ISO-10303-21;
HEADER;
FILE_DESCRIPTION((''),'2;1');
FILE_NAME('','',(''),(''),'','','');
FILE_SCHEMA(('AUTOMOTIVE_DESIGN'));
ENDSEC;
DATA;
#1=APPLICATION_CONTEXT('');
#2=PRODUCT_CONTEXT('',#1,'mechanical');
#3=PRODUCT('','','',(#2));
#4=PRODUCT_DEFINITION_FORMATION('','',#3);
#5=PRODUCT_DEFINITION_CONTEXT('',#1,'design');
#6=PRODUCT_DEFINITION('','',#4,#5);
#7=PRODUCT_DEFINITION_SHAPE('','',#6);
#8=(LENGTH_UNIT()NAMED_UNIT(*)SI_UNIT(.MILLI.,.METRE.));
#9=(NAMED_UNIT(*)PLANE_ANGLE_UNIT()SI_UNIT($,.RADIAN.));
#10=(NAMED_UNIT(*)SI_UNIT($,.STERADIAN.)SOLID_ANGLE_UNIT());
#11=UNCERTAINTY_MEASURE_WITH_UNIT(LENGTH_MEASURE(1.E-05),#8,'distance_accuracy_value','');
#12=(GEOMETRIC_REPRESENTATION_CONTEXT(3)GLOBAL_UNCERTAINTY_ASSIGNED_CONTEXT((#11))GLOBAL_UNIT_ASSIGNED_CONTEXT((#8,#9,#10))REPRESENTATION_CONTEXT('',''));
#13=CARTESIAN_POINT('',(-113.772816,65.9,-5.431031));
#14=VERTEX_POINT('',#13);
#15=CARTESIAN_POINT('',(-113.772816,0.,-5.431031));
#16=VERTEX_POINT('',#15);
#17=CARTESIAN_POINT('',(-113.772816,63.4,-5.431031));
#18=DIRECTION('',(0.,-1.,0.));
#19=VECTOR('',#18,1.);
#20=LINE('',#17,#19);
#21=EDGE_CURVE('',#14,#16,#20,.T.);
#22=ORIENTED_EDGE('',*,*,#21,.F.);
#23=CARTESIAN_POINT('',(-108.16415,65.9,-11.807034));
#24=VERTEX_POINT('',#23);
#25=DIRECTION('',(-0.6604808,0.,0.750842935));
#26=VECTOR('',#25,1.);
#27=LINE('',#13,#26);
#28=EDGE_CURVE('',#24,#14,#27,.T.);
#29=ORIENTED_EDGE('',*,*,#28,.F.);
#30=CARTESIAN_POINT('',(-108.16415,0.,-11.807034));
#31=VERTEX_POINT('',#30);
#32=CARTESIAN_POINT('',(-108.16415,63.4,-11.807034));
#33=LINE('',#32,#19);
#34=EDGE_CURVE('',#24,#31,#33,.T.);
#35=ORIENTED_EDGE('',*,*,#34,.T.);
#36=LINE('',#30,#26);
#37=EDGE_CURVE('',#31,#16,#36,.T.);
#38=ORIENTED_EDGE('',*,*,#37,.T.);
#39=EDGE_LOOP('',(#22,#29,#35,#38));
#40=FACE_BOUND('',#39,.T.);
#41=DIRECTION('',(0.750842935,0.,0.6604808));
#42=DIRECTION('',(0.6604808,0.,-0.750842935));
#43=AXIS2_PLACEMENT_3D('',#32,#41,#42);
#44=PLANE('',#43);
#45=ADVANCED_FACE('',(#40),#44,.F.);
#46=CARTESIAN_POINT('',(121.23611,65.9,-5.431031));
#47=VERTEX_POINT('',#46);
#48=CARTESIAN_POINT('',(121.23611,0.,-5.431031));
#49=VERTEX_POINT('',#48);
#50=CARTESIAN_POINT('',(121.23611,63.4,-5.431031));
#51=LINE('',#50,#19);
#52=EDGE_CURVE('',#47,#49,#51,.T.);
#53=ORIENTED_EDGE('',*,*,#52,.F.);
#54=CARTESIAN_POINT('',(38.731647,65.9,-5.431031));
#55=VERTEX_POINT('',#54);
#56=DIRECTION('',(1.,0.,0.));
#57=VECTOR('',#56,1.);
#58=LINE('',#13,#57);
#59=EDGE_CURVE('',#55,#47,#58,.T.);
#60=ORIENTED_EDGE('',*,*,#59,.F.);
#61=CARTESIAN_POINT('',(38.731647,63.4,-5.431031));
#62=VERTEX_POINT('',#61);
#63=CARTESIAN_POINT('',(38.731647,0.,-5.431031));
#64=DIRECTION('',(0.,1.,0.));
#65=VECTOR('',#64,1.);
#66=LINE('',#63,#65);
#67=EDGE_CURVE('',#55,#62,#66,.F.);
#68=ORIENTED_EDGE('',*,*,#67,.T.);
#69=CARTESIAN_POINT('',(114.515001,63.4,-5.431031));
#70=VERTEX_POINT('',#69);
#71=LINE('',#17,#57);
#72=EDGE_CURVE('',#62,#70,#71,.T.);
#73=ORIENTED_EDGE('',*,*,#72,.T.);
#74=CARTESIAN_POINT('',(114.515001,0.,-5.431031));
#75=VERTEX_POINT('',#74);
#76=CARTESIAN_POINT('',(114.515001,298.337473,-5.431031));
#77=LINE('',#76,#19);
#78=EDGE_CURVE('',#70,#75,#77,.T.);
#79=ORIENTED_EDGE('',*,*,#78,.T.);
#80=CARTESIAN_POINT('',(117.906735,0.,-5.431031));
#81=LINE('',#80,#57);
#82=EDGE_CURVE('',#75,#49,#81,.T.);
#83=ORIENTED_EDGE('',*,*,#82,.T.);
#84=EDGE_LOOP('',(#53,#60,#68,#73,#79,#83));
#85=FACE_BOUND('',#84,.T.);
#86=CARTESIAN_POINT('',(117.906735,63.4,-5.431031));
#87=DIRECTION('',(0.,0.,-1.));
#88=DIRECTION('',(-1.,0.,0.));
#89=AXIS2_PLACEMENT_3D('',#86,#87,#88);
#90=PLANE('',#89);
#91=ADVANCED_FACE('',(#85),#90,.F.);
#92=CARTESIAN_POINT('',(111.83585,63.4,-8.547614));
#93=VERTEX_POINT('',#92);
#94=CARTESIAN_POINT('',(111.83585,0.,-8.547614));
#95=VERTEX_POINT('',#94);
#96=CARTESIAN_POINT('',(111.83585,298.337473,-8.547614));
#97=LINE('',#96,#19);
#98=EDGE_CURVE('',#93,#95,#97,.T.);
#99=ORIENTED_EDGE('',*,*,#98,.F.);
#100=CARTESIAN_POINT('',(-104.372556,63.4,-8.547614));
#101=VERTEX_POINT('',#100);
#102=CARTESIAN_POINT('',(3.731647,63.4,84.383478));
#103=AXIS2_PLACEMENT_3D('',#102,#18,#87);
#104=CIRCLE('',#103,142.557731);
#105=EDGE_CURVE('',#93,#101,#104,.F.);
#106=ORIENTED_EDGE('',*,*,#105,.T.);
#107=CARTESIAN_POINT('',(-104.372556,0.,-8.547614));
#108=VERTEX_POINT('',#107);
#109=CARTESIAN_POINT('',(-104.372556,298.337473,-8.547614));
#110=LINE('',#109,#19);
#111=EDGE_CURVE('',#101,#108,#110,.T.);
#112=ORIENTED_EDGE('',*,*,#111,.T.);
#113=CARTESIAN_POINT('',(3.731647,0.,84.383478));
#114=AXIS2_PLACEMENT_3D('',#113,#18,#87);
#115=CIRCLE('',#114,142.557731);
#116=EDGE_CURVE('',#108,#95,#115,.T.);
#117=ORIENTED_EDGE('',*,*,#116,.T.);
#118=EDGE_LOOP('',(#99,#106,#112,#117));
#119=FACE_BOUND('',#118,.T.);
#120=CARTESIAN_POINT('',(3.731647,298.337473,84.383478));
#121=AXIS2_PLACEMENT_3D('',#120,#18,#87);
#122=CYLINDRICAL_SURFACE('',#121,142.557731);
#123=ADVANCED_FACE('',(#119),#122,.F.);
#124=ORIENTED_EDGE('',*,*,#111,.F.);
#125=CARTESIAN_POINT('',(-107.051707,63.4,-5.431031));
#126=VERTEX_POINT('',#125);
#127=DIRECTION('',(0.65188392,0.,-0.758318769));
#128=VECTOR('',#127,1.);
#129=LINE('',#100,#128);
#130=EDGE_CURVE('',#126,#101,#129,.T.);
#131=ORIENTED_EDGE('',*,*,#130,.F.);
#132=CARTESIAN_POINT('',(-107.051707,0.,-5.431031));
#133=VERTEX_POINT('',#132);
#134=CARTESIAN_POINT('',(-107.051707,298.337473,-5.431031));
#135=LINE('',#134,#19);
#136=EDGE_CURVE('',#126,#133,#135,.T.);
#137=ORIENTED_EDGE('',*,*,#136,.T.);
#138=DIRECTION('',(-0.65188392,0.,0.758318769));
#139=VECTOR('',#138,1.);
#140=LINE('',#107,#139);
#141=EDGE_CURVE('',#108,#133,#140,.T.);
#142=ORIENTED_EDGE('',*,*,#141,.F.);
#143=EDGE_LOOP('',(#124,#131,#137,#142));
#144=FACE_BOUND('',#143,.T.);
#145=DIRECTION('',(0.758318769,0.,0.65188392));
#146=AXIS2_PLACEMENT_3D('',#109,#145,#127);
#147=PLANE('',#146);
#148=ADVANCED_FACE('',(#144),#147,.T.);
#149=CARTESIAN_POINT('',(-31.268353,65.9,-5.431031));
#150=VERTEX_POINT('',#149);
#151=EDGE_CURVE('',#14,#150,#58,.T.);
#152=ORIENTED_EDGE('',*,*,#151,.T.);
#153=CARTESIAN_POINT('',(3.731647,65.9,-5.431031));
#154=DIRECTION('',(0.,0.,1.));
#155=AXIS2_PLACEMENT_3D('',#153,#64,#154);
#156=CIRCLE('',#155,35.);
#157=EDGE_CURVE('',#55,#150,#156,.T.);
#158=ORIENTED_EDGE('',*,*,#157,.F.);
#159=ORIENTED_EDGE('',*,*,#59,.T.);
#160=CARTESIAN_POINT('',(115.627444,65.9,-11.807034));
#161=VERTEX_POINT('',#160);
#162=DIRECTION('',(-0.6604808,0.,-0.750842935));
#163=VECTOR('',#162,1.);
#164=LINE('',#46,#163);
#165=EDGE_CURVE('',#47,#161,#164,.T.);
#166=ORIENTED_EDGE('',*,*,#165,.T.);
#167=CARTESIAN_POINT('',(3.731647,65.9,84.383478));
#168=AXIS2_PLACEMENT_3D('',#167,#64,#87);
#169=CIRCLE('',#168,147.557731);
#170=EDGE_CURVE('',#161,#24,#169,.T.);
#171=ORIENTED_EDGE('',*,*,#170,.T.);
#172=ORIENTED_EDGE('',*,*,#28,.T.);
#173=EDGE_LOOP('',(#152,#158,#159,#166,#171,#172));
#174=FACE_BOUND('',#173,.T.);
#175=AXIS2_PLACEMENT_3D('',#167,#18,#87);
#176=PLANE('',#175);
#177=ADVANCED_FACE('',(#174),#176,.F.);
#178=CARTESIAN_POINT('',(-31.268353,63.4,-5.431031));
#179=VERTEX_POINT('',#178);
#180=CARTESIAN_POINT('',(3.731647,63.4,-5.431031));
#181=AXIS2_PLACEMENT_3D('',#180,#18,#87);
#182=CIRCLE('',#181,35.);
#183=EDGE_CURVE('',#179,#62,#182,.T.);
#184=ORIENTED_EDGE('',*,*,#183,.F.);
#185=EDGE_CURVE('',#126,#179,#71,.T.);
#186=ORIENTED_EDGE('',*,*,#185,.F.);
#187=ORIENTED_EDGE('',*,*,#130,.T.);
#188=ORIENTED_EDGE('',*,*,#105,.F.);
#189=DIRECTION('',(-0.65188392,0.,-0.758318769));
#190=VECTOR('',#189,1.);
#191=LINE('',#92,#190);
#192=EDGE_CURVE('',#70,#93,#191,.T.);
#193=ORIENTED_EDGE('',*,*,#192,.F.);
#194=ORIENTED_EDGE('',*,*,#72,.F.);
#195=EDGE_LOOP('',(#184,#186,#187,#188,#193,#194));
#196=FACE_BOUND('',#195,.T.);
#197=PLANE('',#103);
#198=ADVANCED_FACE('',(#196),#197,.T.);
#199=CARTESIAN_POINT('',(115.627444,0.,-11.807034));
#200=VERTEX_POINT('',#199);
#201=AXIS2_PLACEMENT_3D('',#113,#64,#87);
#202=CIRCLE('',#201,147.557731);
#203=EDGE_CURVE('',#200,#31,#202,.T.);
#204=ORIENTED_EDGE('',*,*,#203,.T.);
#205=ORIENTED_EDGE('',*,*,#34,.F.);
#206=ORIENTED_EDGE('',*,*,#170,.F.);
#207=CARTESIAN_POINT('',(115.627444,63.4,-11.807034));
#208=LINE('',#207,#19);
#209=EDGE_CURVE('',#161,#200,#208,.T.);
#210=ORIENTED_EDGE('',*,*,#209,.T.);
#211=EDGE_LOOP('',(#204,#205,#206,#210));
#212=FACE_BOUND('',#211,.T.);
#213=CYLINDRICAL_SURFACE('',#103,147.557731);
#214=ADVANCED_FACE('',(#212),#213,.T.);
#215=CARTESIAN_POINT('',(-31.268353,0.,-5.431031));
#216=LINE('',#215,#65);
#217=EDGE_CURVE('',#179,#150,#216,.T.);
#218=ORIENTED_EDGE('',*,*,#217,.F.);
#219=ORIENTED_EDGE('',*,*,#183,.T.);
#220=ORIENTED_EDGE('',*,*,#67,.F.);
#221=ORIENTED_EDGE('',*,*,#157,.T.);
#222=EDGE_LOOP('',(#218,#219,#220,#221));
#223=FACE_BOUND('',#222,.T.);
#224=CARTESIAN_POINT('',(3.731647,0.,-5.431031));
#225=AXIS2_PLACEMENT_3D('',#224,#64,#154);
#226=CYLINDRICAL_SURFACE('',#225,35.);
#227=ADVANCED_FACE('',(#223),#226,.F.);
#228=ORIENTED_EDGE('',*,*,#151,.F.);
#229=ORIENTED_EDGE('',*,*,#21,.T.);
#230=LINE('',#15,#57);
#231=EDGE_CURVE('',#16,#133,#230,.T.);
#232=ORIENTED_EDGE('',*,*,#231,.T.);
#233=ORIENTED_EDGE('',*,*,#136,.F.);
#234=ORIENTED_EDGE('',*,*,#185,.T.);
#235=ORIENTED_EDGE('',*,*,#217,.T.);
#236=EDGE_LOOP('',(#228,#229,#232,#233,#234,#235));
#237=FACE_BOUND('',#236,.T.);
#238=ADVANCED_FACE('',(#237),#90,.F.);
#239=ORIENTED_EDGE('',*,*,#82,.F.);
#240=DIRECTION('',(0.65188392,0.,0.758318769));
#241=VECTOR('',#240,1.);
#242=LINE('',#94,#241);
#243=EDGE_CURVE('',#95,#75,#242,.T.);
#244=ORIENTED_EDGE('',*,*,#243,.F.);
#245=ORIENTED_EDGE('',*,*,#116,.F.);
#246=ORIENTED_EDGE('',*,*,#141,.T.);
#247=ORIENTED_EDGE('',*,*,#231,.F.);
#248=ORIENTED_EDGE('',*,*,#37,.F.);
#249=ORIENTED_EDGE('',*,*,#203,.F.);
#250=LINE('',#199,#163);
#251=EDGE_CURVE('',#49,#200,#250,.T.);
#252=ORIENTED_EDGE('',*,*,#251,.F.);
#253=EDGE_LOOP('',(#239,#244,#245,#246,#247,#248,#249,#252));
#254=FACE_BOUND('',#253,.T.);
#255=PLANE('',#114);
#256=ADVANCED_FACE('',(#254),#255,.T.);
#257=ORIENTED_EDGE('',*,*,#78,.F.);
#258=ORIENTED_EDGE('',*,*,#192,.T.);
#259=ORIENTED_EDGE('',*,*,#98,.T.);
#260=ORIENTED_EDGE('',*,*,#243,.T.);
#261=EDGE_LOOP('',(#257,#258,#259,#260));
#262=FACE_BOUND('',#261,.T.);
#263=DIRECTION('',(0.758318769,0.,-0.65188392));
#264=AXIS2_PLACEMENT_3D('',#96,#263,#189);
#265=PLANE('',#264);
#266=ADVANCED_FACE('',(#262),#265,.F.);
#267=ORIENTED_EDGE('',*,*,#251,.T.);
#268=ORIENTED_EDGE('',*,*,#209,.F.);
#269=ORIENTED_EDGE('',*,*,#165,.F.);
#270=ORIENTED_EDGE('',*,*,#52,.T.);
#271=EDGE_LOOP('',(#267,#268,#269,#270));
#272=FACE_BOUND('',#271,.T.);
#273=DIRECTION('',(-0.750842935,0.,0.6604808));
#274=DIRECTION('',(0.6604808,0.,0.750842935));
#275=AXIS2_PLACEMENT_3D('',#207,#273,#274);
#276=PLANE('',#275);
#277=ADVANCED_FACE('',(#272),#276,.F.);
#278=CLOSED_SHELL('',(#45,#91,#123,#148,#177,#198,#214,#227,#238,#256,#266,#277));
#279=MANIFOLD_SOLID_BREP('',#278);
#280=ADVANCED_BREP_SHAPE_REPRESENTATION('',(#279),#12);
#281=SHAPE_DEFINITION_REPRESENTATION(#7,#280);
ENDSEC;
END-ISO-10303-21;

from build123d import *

# Parameters (mm, degrees)
BOSS_EXTRUDE1_DEPTH = 63.4
BOSS_EXTRUDE2_DEPTH = 2.5
BOSS_EXTRUDE3_DEPTH = 63.4
SKETCH4_R           = 35
CUT_EXTRUDE1_DEPTH  = 152.762941692


with BuildPart() as part:
    # Sketch1 → Boss-Extrude1 (new body)
    with BuildSketch(Plane(origin=(0, 0, 0), x_dir=(1, 0, 0), z_dir=(0, 1, 0))):
        with BuildLine():
            Line((-108.164150322, 11.807033697), (-113.772816425, 5.431031062))
            Line((-113.772816425, 5.431031062), (-110.443441346, 5.431031062))
            Line((-110.443441346, 5.431031062), (-106.2683534, 10.177323898))
            ThreePointArc((-106.2683534, 10.177323898), (3.7316466, 60.67425262), (113.7316466, 10.177323898))
            Line((113.7316466, 10.177323898), (117.906734545, 5.431031062))
            Line((117.906734545, 5.431031062), (121.236109625, 5.431031062))
            Line((121.236109625, 5.431031062), (115.627443521, 11.807033697))
            ThreePointArc((115.627443521, 11.807033697), (3.7316466, 63.17425262), (-108.164150322, 11.807033697))
        make_face()
    extrude(amount=BOSS_EXTRUDE1_DEPTH)

    # Sketch2 → Boss-Extrude2 (add)
    with BuildSketch(Plane(origin=(0, 63.4, 0), x_dir=(1, 0, 0), z_dir=(0, 1, 0))):
        with BuildLine():
            Line((-113.772816425, 5.431031062), (121.236109625, 5.431031062))
            Line((121.236109625, 5.431031062), (115.627443521, 11.807033697))
            ThreePointArc((115.627443521, 11.807033697), (3.7316466, 63.17425262), (-108.164150322, 11.807033697))
            Line((-108.164150322, 11.807033697), (-113.772816425, 5.431031062))
        make_face()
    extrude(amount=BOSS_EXTRUDE2_DEPTH)

    # Sketch3 → Boss-Extrude3 (add)
    with BuildSketch(Plane(origin=(0, 0, 0), x_dir=(1, 0, 0), z_dir=(0, 1, 0))):
        with BuildLine():
            Line((-110.443441346, 5.431031062), (-106.2683534, 10.177323898))
            ThreePointArc((-106.2683534, 10.177323898), (3.7316466, 60.67425262), (113.7316466, 10.177323898))
            Line((113.7316466, 10.177323898), (117.906734545, 5.431031062))
            Line((117.906734545, 5.431031062), (114.515000518, 5.431031062))
            Line((114.515000518, 5.431031062), (111.835849678, 8.547614098))
            ThreePointArc((111.835849678, 8.547614098), (3.7316466, 58.17425262), (-104.372556479, 8.547614098))
            Line((-104.372556479, 8.547614098), (-107.051707318, 5.431031062))
            Line((-107.051707318, 5.431031062), (-110.443441346, 5.431031062))
        make_face()
    extrude(amount=BOSS_EXTRUDE3_DEPTH)

    # Sketch4 → Cut-Extrude1 (cut, through all)
    with BuildSketch(Plane(origin=(0, 65.9, 0), x_dir=(1, 0, 0), z_dir=(0, 1, 0))):
        with Locations((3.7316466, 5.431031062)):
            Circle(SKETCH4_R)
    extrude(amount=-CUT_EXTRUDE1_DEPTH, mode=Mode.SUBTRACT)


solid = part.part
